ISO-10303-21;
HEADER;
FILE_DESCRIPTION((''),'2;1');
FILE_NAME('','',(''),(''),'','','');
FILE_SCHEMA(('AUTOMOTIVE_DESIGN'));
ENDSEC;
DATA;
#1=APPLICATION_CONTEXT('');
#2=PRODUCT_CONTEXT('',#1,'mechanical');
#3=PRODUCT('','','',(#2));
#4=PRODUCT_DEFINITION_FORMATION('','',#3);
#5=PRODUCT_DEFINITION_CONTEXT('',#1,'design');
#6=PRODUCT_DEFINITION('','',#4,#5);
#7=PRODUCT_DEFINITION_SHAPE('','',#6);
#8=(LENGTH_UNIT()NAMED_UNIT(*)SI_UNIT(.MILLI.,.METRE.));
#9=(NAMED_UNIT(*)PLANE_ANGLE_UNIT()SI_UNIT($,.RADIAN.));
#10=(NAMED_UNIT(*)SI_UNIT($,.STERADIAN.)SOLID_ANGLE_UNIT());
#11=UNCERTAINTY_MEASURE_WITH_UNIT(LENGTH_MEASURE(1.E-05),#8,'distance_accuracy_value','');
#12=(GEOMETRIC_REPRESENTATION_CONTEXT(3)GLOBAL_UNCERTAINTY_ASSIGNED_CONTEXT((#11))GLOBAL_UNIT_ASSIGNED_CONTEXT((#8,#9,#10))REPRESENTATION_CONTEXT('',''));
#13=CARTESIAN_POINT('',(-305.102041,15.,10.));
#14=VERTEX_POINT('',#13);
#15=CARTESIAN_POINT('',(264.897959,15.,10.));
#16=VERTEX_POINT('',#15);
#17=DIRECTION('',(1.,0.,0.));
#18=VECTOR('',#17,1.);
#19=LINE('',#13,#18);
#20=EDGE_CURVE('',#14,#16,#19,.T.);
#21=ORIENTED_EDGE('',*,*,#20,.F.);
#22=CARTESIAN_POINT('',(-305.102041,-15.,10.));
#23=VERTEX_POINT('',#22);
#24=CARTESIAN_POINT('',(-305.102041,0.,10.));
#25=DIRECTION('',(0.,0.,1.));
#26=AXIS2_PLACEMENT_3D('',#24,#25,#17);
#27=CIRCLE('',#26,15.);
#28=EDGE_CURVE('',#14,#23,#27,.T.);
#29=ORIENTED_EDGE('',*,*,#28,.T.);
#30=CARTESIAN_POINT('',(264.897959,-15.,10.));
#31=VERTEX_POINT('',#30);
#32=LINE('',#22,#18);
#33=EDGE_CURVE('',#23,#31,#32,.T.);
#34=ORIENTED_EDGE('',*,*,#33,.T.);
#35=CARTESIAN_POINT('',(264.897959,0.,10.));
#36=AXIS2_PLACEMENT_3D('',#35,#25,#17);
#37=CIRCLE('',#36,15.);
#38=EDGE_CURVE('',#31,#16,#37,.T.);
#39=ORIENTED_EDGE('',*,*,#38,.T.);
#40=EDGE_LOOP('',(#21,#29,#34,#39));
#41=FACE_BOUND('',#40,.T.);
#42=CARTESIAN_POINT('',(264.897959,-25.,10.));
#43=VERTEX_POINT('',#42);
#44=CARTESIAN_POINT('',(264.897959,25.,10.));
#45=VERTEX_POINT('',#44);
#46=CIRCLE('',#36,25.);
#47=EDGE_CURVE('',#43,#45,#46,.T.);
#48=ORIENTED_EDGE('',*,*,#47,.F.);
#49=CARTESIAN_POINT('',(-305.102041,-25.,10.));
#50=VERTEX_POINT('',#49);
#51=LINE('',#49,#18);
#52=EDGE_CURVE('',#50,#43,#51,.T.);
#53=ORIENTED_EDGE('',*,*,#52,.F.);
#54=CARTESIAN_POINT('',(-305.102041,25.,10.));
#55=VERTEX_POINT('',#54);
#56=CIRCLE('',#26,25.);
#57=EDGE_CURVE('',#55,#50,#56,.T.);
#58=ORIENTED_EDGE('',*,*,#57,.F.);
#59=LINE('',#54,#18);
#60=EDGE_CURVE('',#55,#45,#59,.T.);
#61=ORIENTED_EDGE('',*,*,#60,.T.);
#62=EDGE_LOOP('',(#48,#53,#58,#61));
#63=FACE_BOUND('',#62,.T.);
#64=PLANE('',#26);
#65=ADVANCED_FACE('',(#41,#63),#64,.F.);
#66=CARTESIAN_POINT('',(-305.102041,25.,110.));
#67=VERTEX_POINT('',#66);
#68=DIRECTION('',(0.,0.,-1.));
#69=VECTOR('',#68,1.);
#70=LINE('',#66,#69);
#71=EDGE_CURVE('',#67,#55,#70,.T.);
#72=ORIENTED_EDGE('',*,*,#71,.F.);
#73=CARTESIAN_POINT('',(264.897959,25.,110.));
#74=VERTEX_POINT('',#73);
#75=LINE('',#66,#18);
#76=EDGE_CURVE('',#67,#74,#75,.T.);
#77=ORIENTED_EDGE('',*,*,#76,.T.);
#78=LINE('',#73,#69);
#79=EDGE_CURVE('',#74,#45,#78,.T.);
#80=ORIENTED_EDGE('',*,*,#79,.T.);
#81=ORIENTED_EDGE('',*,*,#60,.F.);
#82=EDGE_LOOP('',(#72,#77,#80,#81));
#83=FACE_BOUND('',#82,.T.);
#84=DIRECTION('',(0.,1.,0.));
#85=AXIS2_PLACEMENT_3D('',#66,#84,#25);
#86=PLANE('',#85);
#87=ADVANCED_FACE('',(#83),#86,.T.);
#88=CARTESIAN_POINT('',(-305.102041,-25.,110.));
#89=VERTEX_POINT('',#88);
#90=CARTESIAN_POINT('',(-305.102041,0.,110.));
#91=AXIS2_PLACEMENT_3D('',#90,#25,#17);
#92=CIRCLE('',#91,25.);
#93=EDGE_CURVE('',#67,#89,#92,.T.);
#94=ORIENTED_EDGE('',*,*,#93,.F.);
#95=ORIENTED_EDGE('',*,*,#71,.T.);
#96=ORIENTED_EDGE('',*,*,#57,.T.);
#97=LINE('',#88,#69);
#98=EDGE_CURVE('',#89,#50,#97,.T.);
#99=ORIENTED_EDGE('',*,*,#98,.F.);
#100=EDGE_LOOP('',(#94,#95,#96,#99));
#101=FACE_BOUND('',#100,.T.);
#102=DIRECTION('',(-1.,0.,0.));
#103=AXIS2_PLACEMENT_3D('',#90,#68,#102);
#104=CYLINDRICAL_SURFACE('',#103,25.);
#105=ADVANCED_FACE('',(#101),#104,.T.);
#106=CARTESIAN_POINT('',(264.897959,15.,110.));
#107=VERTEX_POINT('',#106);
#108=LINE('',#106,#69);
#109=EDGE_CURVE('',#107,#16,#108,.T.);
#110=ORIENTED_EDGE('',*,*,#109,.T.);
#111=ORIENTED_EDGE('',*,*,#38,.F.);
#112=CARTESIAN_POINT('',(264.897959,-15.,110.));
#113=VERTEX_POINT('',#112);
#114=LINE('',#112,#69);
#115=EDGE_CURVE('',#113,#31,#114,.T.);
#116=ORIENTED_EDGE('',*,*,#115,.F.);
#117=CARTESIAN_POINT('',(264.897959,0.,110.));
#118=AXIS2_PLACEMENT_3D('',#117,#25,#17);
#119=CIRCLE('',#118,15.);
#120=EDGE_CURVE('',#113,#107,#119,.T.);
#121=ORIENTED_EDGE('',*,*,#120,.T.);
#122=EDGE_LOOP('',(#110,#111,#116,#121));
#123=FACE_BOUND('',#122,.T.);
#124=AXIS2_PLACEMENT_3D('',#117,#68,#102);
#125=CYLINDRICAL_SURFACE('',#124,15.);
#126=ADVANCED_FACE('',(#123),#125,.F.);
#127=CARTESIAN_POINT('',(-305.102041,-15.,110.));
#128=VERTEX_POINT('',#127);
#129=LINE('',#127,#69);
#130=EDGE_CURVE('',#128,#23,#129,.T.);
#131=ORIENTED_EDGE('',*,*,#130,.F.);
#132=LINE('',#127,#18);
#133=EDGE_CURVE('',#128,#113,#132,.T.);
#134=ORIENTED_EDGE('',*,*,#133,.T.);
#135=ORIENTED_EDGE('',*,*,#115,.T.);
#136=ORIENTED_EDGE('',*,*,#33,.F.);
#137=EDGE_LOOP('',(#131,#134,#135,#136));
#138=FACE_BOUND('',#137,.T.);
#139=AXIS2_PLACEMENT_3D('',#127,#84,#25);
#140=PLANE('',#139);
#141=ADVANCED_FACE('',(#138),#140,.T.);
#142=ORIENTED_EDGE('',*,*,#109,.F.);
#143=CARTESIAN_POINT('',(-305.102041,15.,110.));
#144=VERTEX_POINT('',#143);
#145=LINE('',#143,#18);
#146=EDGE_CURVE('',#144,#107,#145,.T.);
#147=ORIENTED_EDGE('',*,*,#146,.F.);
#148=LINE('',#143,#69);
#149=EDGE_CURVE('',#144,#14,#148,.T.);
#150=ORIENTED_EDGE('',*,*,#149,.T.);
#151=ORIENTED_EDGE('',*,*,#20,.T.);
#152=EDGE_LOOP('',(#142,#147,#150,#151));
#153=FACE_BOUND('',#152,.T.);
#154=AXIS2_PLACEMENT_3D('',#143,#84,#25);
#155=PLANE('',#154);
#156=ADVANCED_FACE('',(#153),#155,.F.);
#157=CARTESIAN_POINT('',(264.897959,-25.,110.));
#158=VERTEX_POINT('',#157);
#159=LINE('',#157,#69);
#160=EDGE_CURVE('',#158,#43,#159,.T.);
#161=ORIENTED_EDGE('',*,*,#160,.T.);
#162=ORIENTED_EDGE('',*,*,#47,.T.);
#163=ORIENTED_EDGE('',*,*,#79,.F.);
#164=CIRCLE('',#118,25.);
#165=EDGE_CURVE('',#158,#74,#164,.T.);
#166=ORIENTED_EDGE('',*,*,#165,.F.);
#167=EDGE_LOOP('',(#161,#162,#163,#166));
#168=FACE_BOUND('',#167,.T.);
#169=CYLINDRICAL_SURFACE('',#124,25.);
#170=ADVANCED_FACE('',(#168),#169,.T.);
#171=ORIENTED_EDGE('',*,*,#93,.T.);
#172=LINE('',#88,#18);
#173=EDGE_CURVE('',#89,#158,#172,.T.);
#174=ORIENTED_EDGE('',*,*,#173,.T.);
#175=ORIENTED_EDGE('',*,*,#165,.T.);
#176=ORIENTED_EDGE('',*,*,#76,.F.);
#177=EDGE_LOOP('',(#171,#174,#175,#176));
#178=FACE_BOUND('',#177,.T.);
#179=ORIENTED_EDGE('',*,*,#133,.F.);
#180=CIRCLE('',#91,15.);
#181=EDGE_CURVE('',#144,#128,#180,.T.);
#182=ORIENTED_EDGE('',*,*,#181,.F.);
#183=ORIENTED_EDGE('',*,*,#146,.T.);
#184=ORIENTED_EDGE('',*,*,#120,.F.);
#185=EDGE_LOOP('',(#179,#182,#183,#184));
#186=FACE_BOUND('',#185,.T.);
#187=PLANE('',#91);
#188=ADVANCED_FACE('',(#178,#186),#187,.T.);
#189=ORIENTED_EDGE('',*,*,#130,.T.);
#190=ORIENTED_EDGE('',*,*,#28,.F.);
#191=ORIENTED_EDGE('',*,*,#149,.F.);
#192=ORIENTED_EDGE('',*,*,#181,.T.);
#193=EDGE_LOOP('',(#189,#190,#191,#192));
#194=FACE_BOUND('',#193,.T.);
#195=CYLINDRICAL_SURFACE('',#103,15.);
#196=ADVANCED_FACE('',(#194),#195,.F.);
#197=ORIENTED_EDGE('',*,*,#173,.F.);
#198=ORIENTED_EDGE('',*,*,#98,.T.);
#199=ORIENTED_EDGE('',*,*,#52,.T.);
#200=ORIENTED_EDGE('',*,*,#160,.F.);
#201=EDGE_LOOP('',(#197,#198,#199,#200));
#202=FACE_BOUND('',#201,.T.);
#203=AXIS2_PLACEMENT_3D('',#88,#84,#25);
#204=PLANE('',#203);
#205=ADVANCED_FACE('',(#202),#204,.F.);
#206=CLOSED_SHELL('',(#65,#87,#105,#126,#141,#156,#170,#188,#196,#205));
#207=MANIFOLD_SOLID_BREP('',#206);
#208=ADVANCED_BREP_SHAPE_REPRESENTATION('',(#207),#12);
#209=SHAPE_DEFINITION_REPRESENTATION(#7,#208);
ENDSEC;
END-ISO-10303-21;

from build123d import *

# Parameters (mm, degrees)
EXTRUDE_THIN1_START = 10
EXTRUDE_THIN1_DEPTH = 100


with BuildPart() as part:
    # Sketch1 → Extrude-Thin1 (new body)
    with BuildSketch(Plane.XY.offset(EXTRUDE_THIN1_START)):
        with BuildLine():
            Line((264.897959184, -25), (-305.102040816, -25))
            ThreePointArc((-305.102040816, -25), (-330.102040816, 0), (-305.102040816, 25))
            Line((-305.102040816, 25), (264.897959184, 25))
            ThreePointArc((264.897959184, 25), (289.897959184, 0), (264.897959184, -25))
        make_face()
        with BuildLine():
            Line((264.897959184, -15), (-305.102040816, -15))
            ThreePointArc((-305.102040816, -15), (-320.102040816, 0), (-305.102040816, 15))
            Line((-305.102040816, 15), (264.897959184, 15))
            ThreePointArc((264.897959184, 15), (279.897959184, 0), (264.897959184, -15))
        make_face(mode=Mode.SUBTRACT)
    extrude(amount=EXTRUDE_THIN1_DEPTH)


solid = part.part
